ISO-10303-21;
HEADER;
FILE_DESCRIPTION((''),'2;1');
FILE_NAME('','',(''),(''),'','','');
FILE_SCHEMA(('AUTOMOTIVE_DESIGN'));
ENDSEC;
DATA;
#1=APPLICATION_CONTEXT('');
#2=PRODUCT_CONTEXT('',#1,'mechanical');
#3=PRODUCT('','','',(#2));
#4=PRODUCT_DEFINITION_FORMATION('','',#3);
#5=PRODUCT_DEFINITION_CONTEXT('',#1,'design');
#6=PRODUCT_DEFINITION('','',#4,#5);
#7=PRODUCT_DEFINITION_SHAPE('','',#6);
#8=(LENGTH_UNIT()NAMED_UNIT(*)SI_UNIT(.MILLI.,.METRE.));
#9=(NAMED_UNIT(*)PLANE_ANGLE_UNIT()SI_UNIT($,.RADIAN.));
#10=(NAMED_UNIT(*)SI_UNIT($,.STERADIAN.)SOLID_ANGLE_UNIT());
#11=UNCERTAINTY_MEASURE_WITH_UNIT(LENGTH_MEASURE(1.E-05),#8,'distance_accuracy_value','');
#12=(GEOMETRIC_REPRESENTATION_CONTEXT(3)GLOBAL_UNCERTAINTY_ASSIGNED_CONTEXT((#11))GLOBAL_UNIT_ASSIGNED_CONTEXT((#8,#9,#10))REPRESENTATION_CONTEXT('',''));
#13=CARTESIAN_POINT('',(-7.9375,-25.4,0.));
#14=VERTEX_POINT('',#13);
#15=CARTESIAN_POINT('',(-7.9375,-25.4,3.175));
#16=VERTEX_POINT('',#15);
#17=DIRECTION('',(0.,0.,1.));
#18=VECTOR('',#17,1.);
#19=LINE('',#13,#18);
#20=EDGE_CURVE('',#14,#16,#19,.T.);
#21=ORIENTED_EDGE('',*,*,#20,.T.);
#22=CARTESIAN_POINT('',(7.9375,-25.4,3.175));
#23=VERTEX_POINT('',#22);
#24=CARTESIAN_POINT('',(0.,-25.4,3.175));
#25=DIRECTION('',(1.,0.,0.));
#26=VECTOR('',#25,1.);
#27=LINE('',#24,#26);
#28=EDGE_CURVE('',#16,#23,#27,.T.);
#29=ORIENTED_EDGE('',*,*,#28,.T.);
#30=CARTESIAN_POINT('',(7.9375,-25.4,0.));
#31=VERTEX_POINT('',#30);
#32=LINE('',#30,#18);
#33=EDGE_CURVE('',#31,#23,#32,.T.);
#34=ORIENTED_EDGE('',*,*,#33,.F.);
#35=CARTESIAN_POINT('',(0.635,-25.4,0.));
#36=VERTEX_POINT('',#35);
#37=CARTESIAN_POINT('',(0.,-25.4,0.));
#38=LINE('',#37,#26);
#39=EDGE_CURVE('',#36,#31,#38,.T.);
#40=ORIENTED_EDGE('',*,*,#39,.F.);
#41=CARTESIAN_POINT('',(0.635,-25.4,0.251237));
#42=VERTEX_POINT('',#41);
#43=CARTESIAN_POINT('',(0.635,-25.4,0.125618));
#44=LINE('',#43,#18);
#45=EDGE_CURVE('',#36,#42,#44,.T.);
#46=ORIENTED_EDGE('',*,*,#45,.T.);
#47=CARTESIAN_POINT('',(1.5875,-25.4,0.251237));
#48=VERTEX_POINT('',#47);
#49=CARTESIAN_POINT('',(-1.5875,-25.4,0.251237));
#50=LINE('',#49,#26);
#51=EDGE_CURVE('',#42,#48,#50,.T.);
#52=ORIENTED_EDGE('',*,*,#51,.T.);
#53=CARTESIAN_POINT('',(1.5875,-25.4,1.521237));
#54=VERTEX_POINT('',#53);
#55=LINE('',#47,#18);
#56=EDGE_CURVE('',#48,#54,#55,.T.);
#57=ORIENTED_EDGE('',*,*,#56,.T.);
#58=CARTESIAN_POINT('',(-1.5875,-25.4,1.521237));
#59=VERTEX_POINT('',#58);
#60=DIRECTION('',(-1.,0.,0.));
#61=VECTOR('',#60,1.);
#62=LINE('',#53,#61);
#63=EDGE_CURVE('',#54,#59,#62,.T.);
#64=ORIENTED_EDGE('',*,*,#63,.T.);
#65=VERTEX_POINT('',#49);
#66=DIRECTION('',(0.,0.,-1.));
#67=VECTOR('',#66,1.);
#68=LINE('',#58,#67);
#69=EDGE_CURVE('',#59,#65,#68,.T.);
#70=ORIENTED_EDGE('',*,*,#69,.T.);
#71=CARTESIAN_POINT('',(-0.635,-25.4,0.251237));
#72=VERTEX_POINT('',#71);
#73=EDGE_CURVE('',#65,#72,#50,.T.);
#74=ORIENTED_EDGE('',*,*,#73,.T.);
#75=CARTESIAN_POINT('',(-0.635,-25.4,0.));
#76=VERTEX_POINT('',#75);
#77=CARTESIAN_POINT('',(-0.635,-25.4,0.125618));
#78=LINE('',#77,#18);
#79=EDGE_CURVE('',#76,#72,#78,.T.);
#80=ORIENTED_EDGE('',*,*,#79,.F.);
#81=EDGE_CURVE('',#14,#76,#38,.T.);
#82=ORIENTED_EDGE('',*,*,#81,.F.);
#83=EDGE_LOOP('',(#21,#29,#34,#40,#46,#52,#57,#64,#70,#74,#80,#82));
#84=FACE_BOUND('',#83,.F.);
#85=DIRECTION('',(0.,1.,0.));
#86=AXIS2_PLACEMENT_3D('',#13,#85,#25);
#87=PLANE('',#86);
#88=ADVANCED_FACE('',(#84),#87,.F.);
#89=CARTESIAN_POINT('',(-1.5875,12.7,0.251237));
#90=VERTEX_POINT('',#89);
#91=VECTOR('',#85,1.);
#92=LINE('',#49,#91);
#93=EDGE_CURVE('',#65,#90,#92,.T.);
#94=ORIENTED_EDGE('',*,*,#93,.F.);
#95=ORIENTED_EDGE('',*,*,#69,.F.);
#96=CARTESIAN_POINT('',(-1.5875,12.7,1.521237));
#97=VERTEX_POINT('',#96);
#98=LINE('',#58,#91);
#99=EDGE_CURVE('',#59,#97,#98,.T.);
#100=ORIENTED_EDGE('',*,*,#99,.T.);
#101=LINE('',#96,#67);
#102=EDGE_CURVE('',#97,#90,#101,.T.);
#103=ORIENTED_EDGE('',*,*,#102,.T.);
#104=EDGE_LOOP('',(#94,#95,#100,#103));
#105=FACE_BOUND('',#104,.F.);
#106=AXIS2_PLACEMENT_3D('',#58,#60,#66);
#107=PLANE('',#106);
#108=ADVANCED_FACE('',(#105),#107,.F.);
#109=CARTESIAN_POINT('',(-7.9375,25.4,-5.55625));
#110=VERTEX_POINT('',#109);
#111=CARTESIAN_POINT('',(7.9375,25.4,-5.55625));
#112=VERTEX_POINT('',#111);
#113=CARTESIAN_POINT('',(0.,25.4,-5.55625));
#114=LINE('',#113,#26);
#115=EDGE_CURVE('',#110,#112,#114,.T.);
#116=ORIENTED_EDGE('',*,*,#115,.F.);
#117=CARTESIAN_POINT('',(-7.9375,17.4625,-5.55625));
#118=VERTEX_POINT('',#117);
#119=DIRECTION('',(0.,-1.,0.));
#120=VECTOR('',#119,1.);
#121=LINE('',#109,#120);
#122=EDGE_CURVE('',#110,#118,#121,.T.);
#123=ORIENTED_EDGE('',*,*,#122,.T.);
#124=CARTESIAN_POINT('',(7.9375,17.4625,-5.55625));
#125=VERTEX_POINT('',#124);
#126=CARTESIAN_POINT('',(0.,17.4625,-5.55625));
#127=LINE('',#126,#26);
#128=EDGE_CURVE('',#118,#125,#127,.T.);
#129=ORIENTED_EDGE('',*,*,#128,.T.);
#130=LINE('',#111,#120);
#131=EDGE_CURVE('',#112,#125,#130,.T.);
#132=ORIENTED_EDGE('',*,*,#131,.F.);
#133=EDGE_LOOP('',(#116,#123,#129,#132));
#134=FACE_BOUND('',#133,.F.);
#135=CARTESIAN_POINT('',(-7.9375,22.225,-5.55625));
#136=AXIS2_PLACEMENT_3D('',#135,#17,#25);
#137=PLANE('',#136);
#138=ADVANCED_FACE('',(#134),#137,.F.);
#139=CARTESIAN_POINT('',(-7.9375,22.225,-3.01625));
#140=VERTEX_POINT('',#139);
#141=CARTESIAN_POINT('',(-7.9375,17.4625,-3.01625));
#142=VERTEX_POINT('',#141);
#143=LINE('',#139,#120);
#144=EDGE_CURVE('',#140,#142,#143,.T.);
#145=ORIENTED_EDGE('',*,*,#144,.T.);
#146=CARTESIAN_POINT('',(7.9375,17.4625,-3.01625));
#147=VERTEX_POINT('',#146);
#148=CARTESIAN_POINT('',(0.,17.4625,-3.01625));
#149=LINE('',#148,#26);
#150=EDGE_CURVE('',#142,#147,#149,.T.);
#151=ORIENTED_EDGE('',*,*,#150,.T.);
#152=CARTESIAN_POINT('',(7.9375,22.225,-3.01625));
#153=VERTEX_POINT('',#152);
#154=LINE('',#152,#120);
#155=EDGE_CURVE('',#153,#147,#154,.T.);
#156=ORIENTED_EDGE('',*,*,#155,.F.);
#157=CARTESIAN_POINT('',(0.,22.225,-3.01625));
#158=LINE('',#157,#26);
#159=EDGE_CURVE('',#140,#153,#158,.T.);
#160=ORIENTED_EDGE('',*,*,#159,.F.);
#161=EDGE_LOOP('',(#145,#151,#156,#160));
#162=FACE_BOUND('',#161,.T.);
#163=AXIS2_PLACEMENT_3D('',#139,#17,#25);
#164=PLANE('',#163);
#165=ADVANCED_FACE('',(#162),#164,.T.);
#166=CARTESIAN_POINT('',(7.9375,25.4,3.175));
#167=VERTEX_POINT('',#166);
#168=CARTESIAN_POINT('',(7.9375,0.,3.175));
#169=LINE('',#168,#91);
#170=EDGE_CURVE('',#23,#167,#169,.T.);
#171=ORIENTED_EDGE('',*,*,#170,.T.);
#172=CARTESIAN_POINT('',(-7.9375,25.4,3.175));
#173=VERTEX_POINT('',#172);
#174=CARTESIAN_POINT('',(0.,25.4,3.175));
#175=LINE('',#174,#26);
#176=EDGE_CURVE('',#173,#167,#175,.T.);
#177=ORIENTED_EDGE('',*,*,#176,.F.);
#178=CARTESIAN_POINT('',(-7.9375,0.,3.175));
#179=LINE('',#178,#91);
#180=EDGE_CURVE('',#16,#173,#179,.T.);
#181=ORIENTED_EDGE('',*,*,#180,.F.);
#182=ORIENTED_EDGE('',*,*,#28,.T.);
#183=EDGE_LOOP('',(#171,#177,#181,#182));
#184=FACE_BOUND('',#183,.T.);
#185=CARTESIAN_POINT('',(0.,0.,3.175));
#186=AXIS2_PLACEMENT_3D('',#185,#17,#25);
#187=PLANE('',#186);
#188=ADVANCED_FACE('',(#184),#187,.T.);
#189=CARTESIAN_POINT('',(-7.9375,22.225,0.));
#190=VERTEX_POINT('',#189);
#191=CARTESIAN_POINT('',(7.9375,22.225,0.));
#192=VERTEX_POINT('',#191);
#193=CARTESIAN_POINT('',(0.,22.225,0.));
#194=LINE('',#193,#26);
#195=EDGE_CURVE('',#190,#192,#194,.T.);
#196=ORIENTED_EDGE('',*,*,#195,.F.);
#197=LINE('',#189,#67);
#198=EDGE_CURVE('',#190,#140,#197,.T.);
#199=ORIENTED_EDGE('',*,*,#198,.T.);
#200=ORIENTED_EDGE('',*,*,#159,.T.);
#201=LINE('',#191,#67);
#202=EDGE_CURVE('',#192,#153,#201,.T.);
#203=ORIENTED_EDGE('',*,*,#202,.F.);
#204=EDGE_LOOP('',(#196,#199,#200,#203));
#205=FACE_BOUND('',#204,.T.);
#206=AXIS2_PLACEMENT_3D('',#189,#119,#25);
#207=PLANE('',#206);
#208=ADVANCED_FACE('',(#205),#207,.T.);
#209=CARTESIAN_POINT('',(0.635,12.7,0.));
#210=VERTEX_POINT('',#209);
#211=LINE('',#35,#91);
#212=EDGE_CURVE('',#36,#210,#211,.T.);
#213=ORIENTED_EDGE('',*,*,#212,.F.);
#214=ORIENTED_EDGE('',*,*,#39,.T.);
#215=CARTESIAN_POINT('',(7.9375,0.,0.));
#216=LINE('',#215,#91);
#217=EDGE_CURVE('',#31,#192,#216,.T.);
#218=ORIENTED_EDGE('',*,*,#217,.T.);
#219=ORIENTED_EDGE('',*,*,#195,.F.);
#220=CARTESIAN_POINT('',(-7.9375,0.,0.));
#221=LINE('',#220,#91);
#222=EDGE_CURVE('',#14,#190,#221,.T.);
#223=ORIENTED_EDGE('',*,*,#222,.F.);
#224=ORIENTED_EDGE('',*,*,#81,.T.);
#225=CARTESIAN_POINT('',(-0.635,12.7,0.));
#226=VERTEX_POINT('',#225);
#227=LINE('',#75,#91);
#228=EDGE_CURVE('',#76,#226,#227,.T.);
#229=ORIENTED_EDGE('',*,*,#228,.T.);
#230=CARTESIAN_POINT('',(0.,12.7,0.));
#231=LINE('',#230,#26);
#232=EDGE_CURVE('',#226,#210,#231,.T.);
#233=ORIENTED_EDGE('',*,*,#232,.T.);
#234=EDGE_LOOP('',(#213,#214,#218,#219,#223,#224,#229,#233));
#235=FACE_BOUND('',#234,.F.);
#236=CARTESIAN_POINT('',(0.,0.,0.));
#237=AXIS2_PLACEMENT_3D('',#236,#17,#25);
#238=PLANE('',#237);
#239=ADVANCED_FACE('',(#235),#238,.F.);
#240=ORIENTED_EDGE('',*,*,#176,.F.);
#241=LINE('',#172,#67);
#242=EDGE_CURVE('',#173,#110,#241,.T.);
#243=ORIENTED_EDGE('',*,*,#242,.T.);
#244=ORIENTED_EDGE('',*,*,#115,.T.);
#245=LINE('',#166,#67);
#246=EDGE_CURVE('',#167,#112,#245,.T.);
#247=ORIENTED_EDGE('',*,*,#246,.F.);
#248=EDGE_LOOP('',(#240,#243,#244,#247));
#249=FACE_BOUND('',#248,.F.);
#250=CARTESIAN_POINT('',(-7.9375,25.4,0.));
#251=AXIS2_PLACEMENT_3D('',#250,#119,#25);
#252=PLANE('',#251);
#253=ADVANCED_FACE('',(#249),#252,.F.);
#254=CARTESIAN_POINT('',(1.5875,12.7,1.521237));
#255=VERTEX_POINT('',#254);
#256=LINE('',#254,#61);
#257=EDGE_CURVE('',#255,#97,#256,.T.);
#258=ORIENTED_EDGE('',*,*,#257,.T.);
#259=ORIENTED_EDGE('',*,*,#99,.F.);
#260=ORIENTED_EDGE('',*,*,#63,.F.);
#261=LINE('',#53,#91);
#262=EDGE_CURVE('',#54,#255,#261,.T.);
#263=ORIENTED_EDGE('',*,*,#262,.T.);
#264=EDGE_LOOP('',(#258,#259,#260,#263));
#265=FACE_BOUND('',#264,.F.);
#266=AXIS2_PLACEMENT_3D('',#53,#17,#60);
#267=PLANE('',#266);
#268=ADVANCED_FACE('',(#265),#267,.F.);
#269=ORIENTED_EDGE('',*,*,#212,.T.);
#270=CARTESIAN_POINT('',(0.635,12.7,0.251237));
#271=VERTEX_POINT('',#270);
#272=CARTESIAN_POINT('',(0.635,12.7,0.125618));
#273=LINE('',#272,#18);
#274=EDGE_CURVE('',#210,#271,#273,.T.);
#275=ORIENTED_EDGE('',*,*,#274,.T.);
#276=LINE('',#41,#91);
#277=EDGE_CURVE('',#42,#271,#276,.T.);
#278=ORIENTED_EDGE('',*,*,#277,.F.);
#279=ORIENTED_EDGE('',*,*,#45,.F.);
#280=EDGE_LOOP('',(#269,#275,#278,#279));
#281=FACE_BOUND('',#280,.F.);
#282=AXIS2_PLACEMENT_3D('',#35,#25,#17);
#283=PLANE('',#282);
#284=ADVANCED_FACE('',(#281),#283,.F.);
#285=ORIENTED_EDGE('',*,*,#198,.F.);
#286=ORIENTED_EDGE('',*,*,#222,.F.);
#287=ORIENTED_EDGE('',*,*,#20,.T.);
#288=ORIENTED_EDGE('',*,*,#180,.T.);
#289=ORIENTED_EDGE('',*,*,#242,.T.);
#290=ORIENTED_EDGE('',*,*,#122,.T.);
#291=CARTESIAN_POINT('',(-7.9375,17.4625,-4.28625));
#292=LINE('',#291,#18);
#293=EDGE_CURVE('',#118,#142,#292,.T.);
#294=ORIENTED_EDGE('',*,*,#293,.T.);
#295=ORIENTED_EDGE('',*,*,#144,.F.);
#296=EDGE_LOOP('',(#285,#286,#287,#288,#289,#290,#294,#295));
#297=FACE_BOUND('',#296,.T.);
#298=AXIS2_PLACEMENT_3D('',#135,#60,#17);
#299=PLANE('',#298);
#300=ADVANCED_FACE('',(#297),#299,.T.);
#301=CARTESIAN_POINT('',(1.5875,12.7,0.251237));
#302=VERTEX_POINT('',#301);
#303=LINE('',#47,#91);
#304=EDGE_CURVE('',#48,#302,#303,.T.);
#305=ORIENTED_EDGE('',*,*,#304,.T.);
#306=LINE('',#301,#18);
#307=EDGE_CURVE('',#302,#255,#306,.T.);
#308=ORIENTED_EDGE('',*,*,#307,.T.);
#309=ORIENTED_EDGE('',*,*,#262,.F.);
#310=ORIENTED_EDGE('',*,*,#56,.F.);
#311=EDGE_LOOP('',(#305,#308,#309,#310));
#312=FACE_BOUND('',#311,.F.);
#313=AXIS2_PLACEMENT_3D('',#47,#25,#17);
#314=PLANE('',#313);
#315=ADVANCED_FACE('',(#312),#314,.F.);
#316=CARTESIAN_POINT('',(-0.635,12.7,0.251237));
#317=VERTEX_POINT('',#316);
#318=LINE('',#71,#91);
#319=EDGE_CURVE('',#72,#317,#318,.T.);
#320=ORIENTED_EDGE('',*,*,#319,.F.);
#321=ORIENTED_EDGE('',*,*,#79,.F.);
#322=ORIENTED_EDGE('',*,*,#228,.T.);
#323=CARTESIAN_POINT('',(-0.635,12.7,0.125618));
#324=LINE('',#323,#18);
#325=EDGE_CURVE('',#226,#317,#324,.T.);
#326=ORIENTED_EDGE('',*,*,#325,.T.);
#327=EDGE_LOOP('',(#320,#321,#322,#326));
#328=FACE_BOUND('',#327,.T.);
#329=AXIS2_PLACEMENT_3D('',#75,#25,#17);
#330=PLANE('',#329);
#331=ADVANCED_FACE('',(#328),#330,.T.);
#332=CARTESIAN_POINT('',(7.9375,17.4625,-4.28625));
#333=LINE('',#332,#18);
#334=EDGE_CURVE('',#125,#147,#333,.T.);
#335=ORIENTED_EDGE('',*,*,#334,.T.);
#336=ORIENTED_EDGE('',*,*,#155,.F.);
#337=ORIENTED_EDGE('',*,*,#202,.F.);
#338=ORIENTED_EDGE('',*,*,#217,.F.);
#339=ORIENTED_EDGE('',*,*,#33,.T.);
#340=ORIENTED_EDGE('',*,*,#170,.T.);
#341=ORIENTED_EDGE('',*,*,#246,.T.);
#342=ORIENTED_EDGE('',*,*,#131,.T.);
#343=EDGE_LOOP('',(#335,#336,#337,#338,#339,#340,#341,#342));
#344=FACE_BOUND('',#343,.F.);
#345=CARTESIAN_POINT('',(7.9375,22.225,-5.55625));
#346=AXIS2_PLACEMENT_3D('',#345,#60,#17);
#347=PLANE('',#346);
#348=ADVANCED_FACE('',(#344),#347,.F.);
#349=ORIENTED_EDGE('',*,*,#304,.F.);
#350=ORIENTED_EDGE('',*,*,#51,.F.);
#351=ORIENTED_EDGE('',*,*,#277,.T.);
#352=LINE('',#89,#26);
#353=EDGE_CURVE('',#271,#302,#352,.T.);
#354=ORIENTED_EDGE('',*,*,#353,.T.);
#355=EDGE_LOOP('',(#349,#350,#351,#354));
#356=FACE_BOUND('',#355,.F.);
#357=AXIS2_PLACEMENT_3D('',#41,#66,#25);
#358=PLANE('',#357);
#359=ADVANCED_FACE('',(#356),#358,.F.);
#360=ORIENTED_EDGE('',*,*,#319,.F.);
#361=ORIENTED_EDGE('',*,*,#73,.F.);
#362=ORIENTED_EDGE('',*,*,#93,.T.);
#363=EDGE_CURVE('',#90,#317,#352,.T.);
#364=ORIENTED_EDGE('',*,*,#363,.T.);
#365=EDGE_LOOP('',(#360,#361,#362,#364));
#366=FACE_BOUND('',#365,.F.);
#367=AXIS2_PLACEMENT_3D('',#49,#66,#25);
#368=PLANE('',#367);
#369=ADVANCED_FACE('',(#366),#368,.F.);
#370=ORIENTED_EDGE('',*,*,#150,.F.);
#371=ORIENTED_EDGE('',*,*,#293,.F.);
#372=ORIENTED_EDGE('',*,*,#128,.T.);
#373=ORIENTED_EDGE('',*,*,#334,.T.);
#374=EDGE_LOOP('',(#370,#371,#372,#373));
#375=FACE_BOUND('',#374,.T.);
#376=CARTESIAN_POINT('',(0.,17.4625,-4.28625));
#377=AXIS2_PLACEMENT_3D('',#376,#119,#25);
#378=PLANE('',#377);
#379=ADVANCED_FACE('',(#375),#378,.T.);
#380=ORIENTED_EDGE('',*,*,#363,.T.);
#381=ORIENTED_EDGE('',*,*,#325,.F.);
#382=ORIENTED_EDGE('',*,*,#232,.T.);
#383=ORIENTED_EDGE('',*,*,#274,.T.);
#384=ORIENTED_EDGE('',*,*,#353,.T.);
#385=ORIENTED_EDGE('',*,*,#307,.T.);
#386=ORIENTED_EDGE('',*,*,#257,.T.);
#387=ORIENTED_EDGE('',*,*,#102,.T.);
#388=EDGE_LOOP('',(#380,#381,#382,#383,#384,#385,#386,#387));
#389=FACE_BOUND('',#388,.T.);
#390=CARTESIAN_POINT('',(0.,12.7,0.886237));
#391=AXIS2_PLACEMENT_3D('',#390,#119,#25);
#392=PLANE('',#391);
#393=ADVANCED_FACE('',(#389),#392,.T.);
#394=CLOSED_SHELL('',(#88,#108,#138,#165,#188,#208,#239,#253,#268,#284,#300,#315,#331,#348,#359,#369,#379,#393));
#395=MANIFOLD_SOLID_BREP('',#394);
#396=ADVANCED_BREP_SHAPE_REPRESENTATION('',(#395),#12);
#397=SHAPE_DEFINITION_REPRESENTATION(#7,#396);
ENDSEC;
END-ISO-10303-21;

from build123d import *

# Parameters (mm, degrees)
F0_W     = 15.875
F0_H     = 50.8
F1_DEPTH = 3.175
F2_W     = 15.875
F2_H     = 3.175
F3_DEPTH = 5.55625
F4_W     = 15.875
F4_H     = 2.54
F5_DEPTH = 4.7625
F6_W     = 1.27
F6_H     = 0.2512368413
F7_DEPTH = 38.1


with BuildPart() as f1:
    # F0 (on Top) → F1 (new body)
    with BuildSketch(Plane.XY):
        Rectangle(F0_W, F0_H)
    extrude(amount=F1_DEPTH)

    # F2 (on face) → F3 (join)
    with BuildSketch(Plane(origin=(0, 0, 0), x_dir=(1, 0, 0), z_dir=(0, 0, -1))):
        with Locations((0, -23.8125)):
            Rectangle(F2_W, F2_H)
    extrude(amount=F3_DEPTH)

    # F4 (on face) → F5 (join)
    with BuildSketch(Plane.XZ.offset(-22.225)):
        with Locations((0, -4.28625)):
            Rectangle(F4_W, F4_H)
    extrude(amount=F5_DEPTH)

    # F6 (on face) → F7 (cut)
    with BuildSketch(Plane.XZ.offset(25.4)):
        Polygon((0.635, 0.2512368413), (1.5875, 0.2512368413), (1.5875, 1.5212368413), (-1.5875, 1.5212368413), (-1.5875, 0.2512368413), (-0.635, 0.2512368413), align=None)
        with Locations((0, 0.1256184207)):
            Rectangle(F6_W, F6_H)
    extrude(amount=-F7_DEPTH, mode=Mode.SUBTRACT)


solid = f1.part
